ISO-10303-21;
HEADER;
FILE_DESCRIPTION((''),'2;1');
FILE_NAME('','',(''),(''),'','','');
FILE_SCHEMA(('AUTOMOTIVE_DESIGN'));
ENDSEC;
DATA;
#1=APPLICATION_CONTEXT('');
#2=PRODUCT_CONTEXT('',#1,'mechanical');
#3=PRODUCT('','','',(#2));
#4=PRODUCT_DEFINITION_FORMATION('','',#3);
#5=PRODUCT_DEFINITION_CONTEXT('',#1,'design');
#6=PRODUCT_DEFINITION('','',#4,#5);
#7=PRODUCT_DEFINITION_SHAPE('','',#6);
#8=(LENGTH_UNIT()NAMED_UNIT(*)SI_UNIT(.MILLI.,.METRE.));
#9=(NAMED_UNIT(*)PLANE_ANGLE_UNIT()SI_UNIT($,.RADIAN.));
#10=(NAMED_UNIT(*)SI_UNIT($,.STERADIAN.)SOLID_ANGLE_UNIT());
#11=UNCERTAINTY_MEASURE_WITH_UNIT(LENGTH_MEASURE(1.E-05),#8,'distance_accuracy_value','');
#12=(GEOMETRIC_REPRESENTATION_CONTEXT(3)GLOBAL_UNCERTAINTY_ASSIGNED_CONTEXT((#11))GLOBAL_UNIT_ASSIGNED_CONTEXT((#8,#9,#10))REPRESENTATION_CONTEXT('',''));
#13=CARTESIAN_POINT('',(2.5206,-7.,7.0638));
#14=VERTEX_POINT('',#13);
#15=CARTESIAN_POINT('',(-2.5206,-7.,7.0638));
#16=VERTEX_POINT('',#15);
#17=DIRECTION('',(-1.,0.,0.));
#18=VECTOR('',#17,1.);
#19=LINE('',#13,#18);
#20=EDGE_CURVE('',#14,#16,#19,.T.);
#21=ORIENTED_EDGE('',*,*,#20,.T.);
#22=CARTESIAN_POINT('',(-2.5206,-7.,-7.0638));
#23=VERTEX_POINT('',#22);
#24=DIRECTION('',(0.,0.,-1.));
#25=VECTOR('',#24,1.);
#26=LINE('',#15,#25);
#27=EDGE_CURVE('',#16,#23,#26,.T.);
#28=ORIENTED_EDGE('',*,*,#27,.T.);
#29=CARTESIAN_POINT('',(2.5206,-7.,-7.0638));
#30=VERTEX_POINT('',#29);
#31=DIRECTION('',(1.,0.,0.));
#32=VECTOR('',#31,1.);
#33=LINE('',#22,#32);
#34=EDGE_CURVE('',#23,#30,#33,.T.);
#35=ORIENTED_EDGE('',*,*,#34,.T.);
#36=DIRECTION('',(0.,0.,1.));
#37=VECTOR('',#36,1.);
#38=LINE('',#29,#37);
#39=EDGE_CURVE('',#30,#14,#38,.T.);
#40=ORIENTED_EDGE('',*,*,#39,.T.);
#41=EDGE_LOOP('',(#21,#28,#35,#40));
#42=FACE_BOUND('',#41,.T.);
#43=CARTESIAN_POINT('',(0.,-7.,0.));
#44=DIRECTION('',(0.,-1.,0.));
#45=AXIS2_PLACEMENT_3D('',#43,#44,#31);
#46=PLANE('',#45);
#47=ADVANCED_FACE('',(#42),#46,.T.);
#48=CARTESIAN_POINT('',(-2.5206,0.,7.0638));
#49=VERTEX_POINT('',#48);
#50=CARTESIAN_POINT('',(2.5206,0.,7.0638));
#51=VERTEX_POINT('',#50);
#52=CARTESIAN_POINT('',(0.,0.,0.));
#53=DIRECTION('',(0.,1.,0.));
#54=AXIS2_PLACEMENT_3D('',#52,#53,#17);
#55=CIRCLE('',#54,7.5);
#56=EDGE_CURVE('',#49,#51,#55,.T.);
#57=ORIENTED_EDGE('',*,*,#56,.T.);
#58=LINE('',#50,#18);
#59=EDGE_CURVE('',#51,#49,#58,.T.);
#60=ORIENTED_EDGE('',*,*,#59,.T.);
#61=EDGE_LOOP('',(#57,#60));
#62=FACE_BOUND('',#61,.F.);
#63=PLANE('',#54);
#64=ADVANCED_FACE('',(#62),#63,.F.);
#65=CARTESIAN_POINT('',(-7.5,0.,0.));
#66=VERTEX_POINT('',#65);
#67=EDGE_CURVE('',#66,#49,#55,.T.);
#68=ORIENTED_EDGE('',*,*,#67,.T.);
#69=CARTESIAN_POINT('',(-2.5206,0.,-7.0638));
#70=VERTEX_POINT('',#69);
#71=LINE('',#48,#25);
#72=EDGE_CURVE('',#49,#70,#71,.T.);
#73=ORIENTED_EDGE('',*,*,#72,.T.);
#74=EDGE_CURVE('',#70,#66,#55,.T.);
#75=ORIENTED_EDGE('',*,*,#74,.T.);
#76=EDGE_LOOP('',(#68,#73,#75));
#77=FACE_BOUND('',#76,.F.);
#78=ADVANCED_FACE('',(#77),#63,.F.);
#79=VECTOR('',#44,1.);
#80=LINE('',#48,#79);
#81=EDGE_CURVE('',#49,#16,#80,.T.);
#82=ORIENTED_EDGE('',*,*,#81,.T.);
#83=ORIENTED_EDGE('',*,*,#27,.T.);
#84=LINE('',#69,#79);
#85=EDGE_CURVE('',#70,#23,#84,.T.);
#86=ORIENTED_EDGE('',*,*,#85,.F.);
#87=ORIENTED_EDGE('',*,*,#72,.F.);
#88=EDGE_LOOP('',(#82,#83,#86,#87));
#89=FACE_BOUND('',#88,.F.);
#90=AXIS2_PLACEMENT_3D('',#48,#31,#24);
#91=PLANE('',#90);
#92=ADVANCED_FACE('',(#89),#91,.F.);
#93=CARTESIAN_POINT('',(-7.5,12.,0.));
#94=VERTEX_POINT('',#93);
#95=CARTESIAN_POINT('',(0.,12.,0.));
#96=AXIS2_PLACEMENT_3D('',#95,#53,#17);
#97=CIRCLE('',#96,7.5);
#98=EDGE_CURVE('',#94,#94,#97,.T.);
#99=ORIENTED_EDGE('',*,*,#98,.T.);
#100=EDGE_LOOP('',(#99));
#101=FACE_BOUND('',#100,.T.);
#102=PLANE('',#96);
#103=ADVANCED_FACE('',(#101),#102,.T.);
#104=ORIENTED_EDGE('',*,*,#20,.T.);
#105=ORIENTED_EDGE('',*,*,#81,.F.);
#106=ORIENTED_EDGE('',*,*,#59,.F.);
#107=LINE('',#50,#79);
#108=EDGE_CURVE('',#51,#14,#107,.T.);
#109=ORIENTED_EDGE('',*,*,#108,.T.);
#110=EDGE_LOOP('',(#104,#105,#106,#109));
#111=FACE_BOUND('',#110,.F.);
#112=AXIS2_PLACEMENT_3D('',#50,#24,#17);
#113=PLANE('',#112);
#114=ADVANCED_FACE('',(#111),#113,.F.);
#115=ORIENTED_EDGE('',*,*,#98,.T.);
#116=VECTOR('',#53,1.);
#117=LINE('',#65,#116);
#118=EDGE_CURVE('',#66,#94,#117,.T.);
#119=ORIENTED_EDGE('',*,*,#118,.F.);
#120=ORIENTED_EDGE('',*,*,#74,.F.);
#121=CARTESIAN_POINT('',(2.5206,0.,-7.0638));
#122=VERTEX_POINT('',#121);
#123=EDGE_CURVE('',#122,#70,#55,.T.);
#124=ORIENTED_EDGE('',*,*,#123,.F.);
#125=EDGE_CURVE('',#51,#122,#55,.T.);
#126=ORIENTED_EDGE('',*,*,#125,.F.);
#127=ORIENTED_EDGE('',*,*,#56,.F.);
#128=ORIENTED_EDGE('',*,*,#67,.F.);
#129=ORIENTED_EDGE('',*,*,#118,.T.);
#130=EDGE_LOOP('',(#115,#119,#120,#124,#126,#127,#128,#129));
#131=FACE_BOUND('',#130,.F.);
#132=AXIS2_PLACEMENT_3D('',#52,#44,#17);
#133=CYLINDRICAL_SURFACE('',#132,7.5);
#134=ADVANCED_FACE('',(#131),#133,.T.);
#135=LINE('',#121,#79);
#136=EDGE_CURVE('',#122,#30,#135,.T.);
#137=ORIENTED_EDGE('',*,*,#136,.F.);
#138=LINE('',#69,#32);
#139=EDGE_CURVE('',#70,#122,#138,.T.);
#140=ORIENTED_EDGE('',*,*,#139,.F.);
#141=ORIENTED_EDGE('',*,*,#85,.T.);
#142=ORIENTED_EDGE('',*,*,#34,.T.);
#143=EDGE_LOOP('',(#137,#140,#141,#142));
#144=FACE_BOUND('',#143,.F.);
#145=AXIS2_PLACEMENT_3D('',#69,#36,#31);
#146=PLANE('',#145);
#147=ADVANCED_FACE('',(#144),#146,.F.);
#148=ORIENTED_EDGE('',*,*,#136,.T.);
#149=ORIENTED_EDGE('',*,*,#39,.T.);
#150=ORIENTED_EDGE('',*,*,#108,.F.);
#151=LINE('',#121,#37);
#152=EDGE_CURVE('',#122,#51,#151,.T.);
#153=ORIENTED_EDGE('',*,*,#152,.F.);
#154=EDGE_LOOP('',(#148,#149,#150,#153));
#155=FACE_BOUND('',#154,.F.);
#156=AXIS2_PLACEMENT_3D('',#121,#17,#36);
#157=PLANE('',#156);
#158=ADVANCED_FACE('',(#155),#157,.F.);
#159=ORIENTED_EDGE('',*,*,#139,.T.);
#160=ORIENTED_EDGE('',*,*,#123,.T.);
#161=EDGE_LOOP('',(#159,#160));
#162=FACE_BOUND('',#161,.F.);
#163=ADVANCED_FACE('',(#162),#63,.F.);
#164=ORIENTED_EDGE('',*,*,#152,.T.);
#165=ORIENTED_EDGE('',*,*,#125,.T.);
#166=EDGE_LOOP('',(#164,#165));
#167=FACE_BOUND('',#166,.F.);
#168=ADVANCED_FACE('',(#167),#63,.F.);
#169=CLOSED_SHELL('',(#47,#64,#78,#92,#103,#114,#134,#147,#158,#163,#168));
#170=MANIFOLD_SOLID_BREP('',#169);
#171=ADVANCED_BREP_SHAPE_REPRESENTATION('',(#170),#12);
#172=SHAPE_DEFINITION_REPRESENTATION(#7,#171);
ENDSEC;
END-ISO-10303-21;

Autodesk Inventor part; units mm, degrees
ref_plane "YZ Plane" through (0, 0, 0) normal (1, 0, 0) x (0, 1, 0)
ref_plane "XZ Plane" through (0, 0, 0) normal (0, 1, 0) x (-1, 0, 0)
ref_plane "XY Plane" through (0, 0, 0) normal (0, 0, 1) x (1, 0, 0)
sketch "Sketch1" plane through (0, 0, 0) normal (0, 1, 0) x (-1, 0, 0)
  circle A0 centre (0, 0) radius 7.5
  dimension "d0" = 15
extrude "Extrusion1" add sketch "Sketch1" along normal blind 12
sketch "Sketch2" plane through (0, 0, 0) normal (0, -1, 0) x (1, 0, 0)
  circle A0 centre (0, 0) radius 7.5 projected
  line L0 (-2.5206, -7.0638) -> (2.5206, -7.0638)
  line L1 (2.5206, -7.0638) -> (2.5206, 7.0638)
  line L2 (2.5206, 7.0638) -> (-2.5206, 7.0638)
  line L3 (-2.5206, 7.0638) -> (-2.5206, -7.0638)
  line L4 (-2.5206, -7.0638) -> (2.5206, 7.0638) construction
  line L5 (2.5206, -7.0638) -> (-2.5206, 7.0638) construction
extrude "Extrusion2" add sketch "Sketch2" along normal blind 7 contours L1 L0 L3 L2
thread "Thread1" size "M15x1.5" class "6g" standard "ANSI Metric M Profile" full length
properties part number "voet"
